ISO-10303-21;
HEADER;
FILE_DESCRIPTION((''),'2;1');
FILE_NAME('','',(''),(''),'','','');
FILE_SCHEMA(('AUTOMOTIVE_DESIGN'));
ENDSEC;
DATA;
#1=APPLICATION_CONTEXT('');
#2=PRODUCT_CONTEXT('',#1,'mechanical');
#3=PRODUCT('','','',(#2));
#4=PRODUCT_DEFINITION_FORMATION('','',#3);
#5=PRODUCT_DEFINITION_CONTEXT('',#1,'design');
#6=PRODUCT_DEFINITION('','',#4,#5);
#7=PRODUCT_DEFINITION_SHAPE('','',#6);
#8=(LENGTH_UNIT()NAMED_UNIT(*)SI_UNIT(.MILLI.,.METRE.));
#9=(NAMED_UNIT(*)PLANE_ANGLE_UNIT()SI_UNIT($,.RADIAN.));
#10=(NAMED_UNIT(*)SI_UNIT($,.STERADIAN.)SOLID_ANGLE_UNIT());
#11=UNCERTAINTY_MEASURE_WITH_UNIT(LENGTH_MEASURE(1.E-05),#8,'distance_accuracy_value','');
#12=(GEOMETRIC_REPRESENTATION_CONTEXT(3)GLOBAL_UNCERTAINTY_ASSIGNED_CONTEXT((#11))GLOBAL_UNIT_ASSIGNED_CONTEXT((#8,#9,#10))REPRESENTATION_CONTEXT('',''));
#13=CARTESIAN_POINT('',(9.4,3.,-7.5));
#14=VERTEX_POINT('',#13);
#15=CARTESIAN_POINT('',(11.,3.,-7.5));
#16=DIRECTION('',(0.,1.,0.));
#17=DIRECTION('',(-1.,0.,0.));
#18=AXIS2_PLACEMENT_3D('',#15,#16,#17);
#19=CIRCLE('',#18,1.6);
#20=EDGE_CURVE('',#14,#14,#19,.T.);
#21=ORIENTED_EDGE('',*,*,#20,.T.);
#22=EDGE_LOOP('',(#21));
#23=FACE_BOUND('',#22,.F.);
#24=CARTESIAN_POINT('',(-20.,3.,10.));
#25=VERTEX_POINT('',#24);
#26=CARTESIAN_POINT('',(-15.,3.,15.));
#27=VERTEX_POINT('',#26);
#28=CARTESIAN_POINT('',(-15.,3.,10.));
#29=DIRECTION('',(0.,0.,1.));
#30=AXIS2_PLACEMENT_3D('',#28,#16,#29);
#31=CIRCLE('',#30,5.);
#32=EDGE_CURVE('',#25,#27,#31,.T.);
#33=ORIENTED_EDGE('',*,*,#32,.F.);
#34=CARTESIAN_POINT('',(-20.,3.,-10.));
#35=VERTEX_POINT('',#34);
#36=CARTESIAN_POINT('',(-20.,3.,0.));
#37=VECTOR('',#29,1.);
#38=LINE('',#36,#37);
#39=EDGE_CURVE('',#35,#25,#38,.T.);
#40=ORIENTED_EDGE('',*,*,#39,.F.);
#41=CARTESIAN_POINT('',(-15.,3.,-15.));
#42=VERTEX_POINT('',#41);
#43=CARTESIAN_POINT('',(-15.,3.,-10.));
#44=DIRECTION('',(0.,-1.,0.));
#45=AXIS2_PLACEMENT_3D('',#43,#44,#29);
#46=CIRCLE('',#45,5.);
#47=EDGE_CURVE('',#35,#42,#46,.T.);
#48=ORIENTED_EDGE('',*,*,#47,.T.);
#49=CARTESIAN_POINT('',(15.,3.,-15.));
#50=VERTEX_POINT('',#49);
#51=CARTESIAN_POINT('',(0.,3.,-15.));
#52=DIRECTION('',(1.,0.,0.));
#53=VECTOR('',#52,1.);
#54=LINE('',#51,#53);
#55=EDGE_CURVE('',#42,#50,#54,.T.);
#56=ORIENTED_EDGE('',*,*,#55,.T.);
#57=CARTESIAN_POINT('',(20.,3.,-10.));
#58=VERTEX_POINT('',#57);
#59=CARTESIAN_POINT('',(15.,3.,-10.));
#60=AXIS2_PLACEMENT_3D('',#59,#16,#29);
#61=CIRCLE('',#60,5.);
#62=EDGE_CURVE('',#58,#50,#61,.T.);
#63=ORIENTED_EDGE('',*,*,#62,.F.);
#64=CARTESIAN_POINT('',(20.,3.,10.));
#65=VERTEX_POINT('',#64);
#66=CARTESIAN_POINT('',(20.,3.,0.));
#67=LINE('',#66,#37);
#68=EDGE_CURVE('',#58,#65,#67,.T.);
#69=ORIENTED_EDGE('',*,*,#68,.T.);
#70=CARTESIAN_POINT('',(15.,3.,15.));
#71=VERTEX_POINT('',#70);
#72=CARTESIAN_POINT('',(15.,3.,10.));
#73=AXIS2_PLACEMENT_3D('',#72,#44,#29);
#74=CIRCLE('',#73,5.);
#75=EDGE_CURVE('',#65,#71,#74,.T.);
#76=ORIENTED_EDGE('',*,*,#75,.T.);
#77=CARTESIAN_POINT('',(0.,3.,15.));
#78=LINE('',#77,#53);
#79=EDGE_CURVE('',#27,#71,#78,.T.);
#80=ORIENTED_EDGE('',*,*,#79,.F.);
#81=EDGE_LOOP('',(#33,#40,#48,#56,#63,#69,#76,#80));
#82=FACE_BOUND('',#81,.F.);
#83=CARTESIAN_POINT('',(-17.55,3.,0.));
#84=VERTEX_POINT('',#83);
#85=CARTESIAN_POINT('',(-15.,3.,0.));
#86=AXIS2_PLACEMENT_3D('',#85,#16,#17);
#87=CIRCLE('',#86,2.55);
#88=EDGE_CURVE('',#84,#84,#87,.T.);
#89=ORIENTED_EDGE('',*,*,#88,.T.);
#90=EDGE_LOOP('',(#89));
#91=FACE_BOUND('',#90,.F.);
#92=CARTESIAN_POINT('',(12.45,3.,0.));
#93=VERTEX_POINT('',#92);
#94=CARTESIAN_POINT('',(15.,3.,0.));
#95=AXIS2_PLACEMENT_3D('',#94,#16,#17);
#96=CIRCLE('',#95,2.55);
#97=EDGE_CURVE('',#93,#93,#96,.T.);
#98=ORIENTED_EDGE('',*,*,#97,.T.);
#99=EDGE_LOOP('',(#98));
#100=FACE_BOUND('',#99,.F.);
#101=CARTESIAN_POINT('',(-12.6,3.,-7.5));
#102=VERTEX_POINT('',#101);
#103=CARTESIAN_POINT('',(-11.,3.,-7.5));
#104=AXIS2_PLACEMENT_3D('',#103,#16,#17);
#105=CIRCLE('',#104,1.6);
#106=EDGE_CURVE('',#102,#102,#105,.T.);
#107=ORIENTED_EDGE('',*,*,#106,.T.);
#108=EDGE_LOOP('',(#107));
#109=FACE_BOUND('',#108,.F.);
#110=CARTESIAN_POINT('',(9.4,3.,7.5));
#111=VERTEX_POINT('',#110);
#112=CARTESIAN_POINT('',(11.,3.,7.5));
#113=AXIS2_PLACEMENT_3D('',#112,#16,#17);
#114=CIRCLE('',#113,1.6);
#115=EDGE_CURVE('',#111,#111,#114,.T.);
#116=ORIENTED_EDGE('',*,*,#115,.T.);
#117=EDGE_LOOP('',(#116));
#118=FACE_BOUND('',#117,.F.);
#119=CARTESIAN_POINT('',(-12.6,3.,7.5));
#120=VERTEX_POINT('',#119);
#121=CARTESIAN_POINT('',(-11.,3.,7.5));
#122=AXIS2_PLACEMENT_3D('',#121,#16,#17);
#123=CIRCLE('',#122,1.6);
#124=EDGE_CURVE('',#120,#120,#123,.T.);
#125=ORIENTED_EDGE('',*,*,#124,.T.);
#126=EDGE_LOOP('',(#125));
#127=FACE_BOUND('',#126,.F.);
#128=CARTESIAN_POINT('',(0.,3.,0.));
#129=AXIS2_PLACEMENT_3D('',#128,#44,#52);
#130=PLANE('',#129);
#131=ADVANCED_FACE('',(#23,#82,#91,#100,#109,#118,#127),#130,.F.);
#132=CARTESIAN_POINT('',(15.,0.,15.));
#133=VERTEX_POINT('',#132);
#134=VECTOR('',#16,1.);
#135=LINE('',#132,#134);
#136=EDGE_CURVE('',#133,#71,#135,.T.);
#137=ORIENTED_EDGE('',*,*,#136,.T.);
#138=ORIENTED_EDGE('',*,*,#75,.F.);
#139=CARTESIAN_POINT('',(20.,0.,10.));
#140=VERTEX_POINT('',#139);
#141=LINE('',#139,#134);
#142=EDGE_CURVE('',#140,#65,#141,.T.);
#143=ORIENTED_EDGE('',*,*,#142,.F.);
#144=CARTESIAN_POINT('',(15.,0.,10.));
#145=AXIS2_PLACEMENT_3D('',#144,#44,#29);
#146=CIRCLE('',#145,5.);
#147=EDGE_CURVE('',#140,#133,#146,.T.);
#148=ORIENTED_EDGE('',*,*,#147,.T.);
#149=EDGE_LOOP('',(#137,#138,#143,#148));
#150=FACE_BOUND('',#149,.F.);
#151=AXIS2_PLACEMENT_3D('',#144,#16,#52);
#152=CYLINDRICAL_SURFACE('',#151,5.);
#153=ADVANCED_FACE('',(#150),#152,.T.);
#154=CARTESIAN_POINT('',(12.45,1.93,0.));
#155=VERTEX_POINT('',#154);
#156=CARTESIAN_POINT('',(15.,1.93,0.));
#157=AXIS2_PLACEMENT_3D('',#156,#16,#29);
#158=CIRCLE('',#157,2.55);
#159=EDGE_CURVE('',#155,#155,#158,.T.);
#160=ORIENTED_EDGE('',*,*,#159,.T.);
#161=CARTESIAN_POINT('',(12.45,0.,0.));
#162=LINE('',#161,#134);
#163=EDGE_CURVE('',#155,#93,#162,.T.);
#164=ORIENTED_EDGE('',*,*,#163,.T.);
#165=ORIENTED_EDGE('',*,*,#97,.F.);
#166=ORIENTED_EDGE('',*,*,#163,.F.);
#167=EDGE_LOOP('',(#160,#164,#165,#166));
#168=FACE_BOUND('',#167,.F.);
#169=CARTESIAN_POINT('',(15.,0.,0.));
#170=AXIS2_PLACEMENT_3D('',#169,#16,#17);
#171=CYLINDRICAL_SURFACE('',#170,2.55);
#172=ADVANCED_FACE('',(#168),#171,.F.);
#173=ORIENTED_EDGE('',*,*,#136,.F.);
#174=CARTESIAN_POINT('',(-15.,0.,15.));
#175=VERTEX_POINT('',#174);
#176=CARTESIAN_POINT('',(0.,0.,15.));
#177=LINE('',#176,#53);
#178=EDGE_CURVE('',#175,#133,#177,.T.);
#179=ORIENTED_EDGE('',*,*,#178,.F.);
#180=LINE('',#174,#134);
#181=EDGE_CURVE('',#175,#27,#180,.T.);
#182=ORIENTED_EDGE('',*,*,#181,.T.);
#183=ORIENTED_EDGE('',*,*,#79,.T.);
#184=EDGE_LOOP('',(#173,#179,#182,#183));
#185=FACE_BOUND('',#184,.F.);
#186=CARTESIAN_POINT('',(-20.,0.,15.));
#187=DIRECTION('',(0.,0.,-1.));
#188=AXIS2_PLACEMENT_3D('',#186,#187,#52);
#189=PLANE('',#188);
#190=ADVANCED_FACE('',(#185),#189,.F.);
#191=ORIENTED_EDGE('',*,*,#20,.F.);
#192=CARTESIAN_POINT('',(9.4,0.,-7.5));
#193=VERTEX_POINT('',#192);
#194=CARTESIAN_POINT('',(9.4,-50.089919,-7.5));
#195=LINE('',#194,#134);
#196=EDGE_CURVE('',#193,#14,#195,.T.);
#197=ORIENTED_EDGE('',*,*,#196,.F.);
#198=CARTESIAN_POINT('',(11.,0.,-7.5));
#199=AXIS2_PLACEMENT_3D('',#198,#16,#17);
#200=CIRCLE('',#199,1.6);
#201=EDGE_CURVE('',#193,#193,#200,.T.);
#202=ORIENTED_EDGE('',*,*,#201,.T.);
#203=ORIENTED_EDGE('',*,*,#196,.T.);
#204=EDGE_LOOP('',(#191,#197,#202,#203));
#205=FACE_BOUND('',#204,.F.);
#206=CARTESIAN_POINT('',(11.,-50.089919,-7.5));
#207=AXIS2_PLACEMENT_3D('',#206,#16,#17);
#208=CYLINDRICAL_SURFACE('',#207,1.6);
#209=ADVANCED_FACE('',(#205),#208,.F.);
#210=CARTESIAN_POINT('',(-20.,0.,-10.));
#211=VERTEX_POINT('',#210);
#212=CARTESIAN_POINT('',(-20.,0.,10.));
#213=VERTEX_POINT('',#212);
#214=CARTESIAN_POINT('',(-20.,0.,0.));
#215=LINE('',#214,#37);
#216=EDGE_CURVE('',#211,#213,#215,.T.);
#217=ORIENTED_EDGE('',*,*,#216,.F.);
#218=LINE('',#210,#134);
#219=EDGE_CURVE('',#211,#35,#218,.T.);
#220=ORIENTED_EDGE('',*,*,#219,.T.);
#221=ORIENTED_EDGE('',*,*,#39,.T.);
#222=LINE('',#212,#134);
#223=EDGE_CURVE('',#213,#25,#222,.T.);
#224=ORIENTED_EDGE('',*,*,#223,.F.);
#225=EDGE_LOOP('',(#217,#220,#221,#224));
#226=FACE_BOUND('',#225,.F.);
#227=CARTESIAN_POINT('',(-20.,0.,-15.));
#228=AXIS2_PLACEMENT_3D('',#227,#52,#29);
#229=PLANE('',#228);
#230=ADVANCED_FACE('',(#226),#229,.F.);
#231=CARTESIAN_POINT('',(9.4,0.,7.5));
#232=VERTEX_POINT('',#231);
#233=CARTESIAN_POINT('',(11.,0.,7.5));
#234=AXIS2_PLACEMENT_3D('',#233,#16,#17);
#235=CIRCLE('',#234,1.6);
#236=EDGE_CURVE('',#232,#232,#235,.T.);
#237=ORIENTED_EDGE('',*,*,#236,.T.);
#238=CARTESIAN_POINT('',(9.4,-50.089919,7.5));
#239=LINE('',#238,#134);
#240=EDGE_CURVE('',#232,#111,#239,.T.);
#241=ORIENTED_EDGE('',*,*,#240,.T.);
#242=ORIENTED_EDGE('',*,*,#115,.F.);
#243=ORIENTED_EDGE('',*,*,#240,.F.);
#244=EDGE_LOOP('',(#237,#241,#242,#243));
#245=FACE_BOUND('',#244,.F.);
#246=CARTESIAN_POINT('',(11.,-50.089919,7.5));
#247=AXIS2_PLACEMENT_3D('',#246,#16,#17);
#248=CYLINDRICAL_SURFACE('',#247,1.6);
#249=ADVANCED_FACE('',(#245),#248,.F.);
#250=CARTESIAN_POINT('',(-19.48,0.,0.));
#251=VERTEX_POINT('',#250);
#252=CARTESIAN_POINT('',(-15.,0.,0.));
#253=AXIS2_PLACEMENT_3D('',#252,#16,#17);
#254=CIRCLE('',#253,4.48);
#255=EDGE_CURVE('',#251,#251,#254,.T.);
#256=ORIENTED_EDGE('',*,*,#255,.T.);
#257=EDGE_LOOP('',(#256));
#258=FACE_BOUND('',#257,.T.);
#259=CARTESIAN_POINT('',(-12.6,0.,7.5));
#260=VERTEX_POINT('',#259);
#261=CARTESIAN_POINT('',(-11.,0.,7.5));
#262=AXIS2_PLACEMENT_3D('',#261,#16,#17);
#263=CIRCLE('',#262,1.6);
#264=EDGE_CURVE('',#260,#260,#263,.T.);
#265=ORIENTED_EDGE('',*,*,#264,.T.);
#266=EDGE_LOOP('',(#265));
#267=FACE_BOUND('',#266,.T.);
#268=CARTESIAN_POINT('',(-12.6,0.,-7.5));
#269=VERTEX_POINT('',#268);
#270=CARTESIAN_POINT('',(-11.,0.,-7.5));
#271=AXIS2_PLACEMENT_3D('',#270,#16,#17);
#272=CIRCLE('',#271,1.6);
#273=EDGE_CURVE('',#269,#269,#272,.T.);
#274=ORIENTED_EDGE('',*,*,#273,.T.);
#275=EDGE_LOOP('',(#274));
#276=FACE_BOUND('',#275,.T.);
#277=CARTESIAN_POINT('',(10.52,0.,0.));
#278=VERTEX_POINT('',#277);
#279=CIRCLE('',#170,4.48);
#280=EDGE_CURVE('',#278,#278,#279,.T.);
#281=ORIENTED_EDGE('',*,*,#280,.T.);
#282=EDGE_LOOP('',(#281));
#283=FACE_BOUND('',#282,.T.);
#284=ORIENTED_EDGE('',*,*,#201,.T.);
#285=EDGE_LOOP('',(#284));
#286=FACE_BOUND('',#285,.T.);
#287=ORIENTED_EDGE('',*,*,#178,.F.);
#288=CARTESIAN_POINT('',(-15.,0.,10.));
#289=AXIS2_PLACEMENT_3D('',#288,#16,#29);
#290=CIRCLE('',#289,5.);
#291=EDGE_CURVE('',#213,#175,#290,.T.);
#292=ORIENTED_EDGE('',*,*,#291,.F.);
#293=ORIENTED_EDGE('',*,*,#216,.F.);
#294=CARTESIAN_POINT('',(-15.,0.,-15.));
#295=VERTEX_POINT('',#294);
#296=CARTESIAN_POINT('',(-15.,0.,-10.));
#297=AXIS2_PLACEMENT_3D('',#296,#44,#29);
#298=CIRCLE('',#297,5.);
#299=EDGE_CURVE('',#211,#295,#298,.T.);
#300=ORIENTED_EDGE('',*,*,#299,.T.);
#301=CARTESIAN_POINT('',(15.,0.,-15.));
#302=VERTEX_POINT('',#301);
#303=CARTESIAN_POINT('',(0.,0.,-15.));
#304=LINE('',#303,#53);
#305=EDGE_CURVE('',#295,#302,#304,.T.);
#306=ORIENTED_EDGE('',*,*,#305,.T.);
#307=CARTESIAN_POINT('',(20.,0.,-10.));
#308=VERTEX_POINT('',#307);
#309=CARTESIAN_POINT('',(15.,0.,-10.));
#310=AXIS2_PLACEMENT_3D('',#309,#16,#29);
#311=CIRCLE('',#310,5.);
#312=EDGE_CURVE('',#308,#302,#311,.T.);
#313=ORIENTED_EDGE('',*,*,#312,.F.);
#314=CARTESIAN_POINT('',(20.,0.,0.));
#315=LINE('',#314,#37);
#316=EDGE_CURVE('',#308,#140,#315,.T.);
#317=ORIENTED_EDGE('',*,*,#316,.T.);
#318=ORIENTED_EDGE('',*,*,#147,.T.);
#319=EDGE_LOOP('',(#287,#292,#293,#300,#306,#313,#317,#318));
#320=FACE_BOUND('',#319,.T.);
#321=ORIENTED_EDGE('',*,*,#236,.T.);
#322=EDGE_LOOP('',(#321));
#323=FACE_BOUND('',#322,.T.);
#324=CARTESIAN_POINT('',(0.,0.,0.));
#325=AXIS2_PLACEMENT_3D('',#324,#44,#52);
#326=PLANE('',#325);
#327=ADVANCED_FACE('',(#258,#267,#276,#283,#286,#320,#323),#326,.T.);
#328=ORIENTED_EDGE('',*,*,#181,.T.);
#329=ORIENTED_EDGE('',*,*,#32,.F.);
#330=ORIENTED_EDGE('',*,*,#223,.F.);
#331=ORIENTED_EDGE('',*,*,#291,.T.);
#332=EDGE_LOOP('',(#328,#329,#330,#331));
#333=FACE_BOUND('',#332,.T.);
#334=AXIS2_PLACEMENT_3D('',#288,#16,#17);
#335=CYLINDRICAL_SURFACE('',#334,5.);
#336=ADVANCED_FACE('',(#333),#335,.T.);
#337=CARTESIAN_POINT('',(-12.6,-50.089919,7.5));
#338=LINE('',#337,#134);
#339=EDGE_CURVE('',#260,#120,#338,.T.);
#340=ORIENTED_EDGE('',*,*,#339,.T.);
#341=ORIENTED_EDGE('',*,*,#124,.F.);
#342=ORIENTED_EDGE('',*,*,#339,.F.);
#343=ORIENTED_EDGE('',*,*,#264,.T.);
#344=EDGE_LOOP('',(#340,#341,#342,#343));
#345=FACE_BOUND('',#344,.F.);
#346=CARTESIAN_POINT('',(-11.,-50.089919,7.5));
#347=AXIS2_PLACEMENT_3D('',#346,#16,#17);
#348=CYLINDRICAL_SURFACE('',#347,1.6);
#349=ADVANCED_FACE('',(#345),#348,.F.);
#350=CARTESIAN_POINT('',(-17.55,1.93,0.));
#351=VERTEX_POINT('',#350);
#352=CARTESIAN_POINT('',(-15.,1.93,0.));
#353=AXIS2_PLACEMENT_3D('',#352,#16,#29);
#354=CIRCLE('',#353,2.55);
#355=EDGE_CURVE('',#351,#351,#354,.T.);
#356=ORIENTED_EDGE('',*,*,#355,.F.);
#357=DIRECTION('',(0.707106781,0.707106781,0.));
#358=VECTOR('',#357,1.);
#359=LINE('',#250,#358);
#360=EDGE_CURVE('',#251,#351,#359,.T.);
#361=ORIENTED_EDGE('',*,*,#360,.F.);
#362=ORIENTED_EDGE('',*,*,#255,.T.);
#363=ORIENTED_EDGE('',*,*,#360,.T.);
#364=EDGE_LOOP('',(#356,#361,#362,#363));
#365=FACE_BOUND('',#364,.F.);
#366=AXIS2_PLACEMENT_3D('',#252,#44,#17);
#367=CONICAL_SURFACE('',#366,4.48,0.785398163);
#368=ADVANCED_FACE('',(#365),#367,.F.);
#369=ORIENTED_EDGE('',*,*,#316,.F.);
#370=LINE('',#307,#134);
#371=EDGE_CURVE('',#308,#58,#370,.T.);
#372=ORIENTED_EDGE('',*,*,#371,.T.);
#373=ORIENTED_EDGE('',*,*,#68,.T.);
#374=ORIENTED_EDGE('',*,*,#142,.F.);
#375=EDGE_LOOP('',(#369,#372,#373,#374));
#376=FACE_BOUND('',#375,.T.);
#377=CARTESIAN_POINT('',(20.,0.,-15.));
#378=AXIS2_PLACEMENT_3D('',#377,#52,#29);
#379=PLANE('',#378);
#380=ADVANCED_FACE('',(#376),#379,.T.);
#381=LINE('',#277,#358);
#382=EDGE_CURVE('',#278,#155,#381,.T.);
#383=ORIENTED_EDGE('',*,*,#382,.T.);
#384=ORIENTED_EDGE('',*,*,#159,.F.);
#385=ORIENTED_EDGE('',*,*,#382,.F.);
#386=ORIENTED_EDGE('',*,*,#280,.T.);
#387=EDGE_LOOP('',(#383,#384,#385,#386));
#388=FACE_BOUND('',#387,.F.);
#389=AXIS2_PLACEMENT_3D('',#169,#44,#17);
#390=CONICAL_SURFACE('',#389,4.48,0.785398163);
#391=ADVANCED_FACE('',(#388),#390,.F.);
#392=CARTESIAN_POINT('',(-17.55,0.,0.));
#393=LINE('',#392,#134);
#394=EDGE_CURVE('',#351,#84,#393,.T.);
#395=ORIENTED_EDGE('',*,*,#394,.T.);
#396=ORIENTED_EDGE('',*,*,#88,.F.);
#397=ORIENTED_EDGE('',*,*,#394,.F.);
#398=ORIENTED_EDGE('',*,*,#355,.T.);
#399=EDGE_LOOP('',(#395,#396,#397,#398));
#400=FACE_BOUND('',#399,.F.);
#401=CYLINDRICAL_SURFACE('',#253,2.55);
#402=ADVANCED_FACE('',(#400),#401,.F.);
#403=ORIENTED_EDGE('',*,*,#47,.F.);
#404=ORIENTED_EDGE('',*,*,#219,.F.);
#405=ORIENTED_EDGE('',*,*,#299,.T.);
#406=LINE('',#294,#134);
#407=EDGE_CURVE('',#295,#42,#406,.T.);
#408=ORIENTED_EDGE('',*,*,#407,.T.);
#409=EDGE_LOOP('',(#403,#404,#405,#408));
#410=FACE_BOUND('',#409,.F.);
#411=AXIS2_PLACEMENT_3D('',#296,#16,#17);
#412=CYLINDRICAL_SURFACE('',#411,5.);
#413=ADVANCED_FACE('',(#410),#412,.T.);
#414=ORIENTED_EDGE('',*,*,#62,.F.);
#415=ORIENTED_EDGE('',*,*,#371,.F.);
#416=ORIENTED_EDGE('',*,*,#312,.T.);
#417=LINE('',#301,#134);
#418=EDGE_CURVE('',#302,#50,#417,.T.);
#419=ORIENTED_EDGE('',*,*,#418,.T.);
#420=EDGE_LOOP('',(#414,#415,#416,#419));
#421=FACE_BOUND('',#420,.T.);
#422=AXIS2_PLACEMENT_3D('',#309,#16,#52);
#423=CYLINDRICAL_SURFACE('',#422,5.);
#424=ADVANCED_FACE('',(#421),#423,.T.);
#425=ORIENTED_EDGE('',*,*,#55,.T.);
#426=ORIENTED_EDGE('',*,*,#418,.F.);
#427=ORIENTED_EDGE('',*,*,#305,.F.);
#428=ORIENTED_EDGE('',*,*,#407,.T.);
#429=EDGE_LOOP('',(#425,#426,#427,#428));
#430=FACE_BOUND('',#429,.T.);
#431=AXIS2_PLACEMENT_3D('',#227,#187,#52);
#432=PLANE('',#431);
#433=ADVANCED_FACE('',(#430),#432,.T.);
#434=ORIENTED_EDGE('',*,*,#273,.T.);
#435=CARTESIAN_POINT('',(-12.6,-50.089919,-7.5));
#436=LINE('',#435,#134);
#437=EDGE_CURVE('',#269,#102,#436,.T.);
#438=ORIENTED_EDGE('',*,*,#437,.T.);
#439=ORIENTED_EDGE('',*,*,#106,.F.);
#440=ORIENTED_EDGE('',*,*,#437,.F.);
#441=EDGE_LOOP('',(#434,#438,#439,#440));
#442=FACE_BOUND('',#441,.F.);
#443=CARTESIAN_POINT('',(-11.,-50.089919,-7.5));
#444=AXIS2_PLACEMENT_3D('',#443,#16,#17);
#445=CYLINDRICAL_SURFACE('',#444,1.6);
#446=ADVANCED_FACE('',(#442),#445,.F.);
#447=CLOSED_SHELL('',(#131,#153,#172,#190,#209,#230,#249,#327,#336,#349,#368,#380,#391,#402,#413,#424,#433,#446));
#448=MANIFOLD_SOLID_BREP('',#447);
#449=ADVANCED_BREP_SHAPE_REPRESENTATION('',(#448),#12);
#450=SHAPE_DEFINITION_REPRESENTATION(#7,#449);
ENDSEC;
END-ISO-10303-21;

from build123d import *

# Parameters (mm, degrees)
F0_W           = 40
F0_H           = 30
F1_DEPTH       = 3
F3_D           = 3.2
F4_D           = 5.1
F4_CSINK_D     = 8.96
F4_CSINK_ANGLE = 90
F5_R           = 5


with BuildPart() as f1:
    # F0 (on Front) → F1 (new body)
    with BuildSketch(Plane.XZ):
        Rectangle(F0_W, F0_H)
    extrude(amount=-F1_DEPTH)

    # F3 (through all)
    with Locations(Plane.XZ):
        with Locations((-11, 7.5), (-11, -7.5), (11, 7.5), (11, -7.5)):
            Hole(F3_D / 2)

    # F4 (through all)
    with Locations(Plane.XZ):
        with Locations((-15, 0), (15, 0)):
            CounterSinkHole(F4_D / 2, F4_CSINK_D / 2, counter_sink_angle=F4_CSINK_ANGLE)

    # F5
    f5_edges = [f1.edges().sort_by_distance(p)[0] for p in [
        (20, 1.5, 15),
        (20, 1.5, -15),
        (-20, 1.5, -15),
        (-20, 1.5, 15),
    ]]
    fillet(f5_edges, radius=F5_R)


solid = f1.part
